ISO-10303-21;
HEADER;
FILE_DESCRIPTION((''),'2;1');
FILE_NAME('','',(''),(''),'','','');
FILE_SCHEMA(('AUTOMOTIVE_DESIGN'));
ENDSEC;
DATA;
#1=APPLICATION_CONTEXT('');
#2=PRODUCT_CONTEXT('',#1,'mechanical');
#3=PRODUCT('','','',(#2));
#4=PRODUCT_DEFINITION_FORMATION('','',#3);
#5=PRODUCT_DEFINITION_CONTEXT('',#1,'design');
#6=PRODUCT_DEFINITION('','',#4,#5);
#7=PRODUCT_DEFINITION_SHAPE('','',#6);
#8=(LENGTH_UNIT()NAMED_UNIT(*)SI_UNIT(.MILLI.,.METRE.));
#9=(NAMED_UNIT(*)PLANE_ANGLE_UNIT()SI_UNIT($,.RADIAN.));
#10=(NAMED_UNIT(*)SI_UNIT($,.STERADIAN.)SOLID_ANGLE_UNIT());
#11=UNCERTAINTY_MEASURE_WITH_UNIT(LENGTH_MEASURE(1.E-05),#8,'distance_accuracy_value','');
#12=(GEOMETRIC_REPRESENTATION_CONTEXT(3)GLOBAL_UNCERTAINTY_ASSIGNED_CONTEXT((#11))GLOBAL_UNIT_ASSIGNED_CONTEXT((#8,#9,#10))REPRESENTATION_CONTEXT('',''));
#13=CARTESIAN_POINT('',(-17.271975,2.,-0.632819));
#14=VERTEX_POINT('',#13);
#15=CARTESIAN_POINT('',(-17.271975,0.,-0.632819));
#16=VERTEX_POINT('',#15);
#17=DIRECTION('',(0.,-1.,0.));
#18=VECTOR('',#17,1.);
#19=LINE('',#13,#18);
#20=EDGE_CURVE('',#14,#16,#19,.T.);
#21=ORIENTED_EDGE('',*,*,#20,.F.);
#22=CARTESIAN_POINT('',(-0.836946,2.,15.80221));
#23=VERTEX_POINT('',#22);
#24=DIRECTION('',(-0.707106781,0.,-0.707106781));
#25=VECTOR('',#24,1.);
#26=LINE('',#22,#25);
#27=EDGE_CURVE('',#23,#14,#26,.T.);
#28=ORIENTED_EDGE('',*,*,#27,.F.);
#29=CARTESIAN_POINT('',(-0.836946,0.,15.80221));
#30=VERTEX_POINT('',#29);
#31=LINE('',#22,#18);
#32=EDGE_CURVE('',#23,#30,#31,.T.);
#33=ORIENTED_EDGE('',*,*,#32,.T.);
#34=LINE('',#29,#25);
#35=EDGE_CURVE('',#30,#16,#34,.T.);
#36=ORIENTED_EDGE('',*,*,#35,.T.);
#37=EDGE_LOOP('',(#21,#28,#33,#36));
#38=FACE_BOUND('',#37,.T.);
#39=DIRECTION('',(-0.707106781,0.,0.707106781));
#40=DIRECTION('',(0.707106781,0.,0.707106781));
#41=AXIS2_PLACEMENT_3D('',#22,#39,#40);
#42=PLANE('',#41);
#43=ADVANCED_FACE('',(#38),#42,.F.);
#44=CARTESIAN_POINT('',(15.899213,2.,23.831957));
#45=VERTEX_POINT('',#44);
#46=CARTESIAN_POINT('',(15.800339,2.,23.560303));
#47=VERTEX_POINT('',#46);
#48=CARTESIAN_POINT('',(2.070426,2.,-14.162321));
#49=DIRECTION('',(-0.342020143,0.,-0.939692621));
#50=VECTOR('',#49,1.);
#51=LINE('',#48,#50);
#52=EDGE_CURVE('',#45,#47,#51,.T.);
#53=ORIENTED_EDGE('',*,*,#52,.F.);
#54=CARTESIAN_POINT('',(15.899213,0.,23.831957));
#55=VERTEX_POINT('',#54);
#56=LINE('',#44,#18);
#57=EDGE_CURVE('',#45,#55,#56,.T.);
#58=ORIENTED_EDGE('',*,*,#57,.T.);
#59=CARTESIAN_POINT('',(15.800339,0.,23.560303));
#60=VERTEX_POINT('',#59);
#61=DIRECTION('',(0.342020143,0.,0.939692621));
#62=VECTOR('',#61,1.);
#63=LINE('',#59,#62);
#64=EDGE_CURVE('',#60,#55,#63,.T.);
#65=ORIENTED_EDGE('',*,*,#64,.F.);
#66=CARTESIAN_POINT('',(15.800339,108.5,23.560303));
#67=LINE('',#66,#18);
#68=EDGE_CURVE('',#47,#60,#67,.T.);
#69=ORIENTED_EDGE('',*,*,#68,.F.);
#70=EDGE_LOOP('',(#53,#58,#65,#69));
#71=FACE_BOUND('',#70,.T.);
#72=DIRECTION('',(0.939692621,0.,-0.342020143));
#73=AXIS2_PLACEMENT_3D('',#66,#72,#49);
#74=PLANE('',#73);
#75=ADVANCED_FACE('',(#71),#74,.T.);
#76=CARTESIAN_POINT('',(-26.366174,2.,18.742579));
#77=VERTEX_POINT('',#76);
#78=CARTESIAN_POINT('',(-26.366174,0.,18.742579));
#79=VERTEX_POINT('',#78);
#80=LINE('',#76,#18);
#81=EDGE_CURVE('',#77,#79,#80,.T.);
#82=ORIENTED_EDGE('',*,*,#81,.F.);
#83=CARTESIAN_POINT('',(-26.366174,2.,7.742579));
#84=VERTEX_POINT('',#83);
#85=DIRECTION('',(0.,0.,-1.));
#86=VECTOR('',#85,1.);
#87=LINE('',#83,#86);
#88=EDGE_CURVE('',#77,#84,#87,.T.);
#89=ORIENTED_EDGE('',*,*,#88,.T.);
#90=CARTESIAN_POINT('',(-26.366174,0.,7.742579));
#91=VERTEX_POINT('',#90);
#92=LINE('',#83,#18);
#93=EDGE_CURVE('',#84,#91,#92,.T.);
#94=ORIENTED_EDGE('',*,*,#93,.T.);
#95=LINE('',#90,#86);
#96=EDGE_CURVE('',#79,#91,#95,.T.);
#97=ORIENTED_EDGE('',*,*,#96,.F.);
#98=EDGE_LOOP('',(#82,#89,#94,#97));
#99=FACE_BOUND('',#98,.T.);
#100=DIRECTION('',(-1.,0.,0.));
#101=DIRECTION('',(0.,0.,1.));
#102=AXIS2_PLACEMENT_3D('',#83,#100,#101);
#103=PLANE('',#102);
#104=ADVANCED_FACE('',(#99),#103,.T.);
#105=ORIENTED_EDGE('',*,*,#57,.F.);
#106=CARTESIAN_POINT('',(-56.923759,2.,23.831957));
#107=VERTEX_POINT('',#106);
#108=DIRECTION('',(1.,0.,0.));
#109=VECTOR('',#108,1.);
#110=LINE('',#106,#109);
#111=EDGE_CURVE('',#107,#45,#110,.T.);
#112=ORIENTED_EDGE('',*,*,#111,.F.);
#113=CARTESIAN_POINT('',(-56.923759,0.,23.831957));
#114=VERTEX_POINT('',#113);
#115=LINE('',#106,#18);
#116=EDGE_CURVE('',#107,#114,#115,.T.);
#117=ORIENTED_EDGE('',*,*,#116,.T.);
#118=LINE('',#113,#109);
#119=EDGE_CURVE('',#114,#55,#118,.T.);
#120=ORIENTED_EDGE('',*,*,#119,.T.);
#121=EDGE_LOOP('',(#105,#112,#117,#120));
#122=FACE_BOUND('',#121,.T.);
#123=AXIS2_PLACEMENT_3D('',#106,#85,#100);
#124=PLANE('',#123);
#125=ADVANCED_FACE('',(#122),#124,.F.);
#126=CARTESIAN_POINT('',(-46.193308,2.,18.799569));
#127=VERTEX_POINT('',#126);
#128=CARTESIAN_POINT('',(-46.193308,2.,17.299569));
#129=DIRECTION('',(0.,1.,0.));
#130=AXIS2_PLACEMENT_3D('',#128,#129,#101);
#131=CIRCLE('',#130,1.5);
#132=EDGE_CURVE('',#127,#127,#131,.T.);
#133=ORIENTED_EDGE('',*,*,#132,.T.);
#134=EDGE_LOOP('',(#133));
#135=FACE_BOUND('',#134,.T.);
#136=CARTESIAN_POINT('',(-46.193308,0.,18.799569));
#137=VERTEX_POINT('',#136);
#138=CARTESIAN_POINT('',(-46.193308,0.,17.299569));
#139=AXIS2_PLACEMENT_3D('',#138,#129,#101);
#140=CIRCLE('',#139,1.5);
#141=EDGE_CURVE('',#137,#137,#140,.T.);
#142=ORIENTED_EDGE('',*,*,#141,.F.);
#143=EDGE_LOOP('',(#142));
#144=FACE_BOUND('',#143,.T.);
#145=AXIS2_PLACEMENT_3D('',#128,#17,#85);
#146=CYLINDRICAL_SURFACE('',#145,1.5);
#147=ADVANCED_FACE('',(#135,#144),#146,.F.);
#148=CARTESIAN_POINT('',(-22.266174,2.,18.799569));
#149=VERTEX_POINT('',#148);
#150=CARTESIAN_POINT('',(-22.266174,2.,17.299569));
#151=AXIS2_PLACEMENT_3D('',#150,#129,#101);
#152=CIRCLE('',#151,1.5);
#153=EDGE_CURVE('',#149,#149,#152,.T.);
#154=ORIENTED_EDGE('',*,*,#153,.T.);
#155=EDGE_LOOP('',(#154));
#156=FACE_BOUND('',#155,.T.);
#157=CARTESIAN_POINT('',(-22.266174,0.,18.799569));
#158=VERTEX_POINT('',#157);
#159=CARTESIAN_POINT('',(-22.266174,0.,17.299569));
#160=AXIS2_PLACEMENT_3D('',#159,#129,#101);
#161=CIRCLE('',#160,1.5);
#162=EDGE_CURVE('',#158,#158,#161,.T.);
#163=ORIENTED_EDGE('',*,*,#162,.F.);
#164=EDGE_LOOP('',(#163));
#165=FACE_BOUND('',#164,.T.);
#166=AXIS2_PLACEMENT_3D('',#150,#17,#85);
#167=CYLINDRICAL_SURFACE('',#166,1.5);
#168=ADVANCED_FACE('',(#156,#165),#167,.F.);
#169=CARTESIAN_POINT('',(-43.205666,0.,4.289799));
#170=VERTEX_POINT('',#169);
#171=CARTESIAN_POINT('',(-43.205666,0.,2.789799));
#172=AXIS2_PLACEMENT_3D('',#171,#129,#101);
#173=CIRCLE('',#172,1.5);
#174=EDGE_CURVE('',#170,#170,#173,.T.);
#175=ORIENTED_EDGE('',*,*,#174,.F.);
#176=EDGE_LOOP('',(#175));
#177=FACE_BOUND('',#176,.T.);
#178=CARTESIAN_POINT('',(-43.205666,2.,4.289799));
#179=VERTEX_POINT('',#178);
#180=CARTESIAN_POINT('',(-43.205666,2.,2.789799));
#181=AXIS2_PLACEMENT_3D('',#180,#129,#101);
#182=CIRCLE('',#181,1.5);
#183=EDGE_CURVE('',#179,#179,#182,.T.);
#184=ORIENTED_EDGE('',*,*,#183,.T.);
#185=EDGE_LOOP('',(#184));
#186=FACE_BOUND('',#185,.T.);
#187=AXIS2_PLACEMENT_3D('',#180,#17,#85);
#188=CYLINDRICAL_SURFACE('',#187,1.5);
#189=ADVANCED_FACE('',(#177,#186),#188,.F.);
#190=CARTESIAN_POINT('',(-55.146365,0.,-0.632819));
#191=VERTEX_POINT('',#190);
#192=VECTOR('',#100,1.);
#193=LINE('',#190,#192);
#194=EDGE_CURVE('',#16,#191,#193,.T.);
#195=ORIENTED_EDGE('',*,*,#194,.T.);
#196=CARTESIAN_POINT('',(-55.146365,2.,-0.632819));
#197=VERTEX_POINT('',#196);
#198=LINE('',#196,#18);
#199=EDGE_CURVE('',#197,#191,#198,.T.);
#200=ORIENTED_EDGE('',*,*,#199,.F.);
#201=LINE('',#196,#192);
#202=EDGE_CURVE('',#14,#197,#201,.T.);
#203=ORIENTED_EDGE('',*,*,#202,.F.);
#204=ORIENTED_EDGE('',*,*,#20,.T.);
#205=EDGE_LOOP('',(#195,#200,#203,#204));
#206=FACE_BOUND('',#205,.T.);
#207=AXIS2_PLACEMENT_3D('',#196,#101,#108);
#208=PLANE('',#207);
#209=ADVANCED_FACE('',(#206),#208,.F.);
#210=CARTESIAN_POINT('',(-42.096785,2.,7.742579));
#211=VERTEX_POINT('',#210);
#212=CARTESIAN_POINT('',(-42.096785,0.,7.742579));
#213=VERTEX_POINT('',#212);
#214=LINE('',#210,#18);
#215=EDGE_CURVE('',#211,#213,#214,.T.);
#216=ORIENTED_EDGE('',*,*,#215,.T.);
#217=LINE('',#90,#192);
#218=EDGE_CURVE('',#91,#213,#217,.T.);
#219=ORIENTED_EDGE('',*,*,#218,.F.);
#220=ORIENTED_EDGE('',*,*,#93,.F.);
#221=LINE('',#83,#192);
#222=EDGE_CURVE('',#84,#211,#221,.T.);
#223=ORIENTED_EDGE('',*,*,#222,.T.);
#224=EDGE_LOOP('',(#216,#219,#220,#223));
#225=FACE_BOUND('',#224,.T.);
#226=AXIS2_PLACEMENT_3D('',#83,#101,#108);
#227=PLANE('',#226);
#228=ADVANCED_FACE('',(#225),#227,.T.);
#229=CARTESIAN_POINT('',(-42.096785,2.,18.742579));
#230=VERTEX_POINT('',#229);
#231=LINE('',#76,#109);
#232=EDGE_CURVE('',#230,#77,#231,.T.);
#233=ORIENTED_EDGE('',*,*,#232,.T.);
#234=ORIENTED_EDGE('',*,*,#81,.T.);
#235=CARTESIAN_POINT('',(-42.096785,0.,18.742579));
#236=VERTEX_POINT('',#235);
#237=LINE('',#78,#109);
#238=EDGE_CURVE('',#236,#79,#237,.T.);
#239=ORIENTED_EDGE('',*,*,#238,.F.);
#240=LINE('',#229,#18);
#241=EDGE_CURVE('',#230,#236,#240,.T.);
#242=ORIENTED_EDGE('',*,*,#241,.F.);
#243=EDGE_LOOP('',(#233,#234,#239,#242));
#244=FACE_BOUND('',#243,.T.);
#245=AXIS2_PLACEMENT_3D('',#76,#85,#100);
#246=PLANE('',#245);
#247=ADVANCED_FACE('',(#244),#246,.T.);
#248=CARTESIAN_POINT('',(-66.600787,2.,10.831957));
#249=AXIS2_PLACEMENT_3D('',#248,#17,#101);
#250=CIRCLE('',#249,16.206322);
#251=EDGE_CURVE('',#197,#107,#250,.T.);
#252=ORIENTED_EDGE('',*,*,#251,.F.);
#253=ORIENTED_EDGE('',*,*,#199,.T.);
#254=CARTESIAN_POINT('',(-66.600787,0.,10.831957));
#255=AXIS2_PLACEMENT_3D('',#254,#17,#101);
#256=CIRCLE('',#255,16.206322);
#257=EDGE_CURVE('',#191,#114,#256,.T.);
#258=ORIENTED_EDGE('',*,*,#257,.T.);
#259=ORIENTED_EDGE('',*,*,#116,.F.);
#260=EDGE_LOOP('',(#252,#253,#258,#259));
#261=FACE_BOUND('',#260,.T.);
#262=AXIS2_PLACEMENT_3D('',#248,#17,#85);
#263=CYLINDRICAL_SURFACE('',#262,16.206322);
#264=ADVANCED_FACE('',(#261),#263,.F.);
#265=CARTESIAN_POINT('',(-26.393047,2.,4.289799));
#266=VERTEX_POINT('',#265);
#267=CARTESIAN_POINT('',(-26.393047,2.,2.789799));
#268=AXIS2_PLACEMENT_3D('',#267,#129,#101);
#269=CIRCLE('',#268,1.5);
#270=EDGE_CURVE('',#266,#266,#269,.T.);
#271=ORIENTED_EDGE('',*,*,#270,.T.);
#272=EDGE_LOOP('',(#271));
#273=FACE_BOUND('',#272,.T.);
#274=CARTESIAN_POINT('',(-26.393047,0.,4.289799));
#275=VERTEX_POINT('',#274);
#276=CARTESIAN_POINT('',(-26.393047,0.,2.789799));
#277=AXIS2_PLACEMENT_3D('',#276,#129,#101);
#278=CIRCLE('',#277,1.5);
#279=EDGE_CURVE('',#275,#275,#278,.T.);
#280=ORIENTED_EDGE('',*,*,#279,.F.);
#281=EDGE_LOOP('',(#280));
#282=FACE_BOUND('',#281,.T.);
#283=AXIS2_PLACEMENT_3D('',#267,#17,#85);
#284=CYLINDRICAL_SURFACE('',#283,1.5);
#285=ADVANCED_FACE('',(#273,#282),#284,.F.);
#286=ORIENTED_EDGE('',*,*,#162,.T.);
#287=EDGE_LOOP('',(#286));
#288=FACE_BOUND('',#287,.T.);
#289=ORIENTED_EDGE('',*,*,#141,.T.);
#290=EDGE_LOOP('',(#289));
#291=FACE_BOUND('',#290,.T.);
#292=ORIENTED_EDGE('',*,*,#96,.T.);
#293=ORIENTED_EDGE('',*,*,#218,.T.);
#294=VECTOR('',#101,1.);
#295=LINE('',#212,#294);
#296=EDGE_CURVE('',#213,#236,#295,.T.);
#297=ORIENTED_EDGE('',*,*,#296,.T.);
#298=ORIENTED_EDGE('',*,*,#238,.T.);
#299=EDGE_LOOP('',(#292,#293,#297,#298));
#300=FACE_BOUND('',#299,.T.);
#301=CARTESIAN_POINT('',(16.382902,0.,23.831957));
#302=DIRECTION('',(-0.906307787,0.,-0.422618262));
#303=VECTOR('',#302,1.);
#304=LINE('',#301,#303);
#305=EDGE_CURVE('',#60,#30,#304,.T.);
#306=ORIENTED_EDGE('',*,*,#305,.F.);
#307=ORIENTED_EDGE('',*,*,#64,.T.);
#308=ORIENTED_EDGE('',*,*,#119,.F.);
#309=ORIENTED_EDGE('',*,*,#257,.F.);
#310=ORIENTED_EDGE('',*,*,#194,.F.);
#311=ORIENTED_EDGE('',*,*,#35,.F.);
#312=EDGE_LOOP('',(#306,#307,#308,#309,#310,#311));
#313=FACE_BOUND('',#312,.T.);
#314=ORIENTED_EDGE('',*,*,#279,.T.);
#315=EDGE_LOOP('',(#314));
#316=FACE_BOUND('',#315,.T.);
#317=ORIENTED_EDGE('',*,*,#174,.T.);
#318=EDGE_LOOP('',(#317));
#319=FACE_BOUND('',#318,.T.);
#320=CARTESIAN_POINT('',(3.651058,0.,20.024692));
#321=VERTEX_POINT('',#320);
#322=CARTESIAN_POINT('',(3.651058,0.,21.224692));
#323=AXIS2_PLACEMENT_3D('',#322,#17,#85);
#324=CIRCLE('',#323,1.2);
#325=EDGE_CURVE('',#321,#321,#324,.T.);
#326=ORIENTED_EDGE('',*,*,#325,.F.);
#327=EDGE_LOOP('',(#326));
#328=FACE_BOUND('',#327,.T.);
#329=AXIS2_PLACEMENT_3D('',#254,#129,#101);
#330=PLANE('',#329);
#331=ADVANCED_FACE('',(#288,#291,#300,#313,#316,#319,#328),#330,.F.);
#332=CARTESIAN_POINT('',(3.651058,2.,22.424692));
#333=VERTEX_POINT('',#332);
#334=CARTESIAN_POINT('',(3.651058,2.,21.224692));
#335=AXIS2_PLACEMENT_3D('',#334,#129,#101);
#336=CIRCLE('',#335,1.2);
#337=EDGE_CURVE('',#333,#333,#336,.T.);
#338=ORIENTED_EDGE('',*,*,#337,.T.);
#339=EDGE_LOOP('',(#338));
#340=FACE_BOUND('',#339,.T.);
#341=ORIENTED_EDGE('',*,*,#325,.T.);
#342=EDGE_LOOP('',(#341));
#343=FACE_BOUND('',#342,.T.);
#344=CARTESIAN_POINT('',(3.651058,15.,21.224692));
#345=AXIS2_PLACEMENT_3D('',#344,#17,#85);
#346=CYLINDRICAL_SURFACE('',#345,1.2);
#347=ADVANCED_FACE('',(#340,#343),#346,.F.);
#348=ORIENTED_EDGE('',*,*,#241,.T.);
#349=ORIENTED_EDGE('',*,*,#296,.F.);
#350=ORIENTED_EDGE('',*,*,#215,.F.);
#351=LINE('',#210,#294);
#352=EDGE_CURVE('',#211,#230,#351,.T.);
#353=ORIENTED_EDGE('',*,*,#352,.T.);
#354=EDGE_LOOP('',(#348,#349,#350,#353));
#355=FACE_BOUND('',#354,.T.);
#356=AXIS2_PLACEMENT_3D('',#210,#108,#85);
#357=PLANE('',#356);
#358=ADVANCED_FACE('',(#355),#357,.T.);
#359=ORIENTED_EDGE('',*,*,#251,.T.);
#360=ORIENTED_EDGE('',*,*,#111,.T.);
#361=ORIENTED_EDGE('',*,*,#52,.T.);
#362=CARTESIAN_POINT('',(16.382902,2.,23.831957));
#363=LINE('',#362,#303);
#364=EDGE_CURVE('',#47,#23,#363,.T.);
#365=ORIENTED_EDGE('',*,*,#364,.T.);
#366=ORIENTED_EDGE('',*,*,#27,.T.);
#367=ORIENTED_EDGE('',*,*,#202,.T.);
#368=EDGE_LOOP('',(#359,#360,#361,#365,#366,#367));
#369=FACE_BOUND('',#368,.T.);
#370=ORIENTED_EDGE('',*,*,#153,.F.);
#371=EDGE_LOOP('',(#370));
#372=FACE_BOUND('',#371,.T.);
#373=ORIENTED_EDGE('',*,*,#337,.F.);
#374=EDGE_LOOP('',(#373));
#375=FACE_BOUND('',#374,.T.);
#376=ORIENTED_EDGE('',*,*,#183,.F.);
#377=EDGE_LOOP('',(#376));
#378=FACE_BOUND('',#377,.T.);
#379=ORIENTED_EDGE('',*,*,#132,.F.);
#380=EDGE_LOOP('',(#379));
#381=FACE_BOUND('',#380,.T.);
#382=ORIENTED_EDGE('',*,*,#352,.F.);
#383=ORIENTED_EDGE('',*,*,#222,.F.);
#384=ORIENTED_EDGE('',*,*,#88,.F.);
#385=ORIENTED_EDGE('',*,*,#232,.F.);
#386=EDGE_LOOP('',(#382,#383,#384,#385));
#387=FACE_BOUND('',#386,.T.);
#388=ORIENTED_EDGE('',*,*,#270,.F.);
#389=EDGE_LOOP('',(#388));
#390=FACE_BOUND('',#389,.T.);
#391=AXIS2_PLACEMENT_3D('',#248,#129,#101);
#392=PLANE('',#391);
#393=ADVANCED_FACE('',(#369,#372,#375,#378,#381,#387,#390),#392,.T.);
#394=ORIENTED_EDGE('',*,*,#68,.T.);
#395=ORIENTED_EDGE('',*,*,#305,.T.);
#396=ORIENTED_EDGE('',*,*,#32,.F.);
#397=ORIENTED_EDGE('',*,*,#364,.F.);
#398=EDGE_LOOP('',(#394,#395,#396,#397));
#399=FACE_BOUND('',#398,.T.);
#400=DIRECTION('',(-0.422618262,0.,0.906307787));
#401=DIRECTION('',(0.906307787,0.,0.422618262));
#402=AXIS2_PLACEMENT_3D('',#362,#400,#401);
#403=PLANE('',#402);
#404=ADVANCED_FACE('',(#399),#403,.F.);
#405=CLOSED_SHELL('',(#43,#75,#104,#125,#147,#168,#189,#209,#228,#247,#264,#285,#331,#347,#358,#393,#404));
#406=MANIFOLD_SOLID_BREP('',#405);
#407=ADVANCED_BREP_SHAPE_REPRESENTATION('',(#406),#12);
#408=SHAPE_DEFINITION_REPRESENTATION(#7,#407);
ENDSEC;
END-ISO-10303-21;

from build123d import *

# Parameters (mm, degrees)
SKETCH_1_R               = 1.5
SKETCH_1_W               = 15.730611704
SKETCH_1_H               = 11
EXTRUDE_1_DEPTH          = 2
CUT_EXTRUDE_1_DEPTH      = 106.5
CUT_EXTRUDE_1_DEPTH_BACK = 62.743635726
SKETCH_7_R               = 1.2
CUT_EXTRUDE_5_DEPTH      = 15


with BuildPart() as part:
    # Эскиз1 → Бобышка-Вытянуть1 (new body)
    with BuildSketch(Plane(origin=(0, 0, 0), x_dir=(1, 0, 0), z_dir=(0, 1, 0))):
        with BuildLine():
            Line((-56.923759365, -23.831956958), (16.382902061, -23.831956958))
            Line((16.382902061, -23.831956958), (-0.836945892, -15.802209985))
            Line((-0.836945892, -15.802209985), (-17.271974735, 0.632818857))
            Line((-17.271974735, 0.632818857), (-55.146365247, 0.632818857))
            ThreePointArc((-55.146365247, 0.632818857), (-50.679018006, -7.808361393), (-51.74094673, -17.29956905))
            ThreePointArc((-51.74094673, -17.29956905), (-53.905020217, -20.904809923), (-56.923759365, -23.831956958))
        make_face()
        with Locations((-43.205666325, -2.789799404)):
            Circle(SKETCH_1_R, mode=Mode.SUBTRACT)
        with Locations((-26.393046621, -2.789799404)):
            Circle(SKETCH_1_R, mode=Mode.SUBTRACT)
        with Locations((-46.193307824, -17.29956905)):
            Circle(SKETCH_1_R, mode=Mode.SUBTRACT)
        with Locations((-22.266173528, -17.29956905)):
            Circle(SKETCH_1_R, mode=Mode.SUBTRACT)
        with Locations((-34.23147938, -13.242579452)):
            Rectangle(SKETCH_1_W, SKETCH_1_H, mode=Mode.SUBTRACT)
    extrude(amount=EXTRUDE_1_DEPTH)

    # Эскиз2 → Вырез-Вытянуть1 (cut, two sides: drawn at the far end of the back side and taken through both)
    with BuildSketch(Plane(origin=(0, 2, 0), x_dir=(1, 0, 0), z_dir=(0, 1, 0)).offset(-CUT_EXTRUDE_1_DEPTH_BACK)):
        Polygon((16.382902061, -23.831956958), (15.800338645, -23.560303176), (15.899212536, -23.831956958), align=None)
    extrude(amount=CUT_EXTRUDE_1_DEPTH + CUT_EXTRUDE_1_DEPTH_BACK, mode=Mode.SUBTRACT)

    # Эскиз7 → Вырез-Вытянуть5 (cut)
    with BuildSketch(Plane.XZ):
        with Locations((3.651057562, 21.224691708)):
            Circle(SKETCH_7_R)
    extrude(amount=-CUT_EXTRUDE_5_DEPTH, mode=Mode.SUBTRACT)


solid = part.part
